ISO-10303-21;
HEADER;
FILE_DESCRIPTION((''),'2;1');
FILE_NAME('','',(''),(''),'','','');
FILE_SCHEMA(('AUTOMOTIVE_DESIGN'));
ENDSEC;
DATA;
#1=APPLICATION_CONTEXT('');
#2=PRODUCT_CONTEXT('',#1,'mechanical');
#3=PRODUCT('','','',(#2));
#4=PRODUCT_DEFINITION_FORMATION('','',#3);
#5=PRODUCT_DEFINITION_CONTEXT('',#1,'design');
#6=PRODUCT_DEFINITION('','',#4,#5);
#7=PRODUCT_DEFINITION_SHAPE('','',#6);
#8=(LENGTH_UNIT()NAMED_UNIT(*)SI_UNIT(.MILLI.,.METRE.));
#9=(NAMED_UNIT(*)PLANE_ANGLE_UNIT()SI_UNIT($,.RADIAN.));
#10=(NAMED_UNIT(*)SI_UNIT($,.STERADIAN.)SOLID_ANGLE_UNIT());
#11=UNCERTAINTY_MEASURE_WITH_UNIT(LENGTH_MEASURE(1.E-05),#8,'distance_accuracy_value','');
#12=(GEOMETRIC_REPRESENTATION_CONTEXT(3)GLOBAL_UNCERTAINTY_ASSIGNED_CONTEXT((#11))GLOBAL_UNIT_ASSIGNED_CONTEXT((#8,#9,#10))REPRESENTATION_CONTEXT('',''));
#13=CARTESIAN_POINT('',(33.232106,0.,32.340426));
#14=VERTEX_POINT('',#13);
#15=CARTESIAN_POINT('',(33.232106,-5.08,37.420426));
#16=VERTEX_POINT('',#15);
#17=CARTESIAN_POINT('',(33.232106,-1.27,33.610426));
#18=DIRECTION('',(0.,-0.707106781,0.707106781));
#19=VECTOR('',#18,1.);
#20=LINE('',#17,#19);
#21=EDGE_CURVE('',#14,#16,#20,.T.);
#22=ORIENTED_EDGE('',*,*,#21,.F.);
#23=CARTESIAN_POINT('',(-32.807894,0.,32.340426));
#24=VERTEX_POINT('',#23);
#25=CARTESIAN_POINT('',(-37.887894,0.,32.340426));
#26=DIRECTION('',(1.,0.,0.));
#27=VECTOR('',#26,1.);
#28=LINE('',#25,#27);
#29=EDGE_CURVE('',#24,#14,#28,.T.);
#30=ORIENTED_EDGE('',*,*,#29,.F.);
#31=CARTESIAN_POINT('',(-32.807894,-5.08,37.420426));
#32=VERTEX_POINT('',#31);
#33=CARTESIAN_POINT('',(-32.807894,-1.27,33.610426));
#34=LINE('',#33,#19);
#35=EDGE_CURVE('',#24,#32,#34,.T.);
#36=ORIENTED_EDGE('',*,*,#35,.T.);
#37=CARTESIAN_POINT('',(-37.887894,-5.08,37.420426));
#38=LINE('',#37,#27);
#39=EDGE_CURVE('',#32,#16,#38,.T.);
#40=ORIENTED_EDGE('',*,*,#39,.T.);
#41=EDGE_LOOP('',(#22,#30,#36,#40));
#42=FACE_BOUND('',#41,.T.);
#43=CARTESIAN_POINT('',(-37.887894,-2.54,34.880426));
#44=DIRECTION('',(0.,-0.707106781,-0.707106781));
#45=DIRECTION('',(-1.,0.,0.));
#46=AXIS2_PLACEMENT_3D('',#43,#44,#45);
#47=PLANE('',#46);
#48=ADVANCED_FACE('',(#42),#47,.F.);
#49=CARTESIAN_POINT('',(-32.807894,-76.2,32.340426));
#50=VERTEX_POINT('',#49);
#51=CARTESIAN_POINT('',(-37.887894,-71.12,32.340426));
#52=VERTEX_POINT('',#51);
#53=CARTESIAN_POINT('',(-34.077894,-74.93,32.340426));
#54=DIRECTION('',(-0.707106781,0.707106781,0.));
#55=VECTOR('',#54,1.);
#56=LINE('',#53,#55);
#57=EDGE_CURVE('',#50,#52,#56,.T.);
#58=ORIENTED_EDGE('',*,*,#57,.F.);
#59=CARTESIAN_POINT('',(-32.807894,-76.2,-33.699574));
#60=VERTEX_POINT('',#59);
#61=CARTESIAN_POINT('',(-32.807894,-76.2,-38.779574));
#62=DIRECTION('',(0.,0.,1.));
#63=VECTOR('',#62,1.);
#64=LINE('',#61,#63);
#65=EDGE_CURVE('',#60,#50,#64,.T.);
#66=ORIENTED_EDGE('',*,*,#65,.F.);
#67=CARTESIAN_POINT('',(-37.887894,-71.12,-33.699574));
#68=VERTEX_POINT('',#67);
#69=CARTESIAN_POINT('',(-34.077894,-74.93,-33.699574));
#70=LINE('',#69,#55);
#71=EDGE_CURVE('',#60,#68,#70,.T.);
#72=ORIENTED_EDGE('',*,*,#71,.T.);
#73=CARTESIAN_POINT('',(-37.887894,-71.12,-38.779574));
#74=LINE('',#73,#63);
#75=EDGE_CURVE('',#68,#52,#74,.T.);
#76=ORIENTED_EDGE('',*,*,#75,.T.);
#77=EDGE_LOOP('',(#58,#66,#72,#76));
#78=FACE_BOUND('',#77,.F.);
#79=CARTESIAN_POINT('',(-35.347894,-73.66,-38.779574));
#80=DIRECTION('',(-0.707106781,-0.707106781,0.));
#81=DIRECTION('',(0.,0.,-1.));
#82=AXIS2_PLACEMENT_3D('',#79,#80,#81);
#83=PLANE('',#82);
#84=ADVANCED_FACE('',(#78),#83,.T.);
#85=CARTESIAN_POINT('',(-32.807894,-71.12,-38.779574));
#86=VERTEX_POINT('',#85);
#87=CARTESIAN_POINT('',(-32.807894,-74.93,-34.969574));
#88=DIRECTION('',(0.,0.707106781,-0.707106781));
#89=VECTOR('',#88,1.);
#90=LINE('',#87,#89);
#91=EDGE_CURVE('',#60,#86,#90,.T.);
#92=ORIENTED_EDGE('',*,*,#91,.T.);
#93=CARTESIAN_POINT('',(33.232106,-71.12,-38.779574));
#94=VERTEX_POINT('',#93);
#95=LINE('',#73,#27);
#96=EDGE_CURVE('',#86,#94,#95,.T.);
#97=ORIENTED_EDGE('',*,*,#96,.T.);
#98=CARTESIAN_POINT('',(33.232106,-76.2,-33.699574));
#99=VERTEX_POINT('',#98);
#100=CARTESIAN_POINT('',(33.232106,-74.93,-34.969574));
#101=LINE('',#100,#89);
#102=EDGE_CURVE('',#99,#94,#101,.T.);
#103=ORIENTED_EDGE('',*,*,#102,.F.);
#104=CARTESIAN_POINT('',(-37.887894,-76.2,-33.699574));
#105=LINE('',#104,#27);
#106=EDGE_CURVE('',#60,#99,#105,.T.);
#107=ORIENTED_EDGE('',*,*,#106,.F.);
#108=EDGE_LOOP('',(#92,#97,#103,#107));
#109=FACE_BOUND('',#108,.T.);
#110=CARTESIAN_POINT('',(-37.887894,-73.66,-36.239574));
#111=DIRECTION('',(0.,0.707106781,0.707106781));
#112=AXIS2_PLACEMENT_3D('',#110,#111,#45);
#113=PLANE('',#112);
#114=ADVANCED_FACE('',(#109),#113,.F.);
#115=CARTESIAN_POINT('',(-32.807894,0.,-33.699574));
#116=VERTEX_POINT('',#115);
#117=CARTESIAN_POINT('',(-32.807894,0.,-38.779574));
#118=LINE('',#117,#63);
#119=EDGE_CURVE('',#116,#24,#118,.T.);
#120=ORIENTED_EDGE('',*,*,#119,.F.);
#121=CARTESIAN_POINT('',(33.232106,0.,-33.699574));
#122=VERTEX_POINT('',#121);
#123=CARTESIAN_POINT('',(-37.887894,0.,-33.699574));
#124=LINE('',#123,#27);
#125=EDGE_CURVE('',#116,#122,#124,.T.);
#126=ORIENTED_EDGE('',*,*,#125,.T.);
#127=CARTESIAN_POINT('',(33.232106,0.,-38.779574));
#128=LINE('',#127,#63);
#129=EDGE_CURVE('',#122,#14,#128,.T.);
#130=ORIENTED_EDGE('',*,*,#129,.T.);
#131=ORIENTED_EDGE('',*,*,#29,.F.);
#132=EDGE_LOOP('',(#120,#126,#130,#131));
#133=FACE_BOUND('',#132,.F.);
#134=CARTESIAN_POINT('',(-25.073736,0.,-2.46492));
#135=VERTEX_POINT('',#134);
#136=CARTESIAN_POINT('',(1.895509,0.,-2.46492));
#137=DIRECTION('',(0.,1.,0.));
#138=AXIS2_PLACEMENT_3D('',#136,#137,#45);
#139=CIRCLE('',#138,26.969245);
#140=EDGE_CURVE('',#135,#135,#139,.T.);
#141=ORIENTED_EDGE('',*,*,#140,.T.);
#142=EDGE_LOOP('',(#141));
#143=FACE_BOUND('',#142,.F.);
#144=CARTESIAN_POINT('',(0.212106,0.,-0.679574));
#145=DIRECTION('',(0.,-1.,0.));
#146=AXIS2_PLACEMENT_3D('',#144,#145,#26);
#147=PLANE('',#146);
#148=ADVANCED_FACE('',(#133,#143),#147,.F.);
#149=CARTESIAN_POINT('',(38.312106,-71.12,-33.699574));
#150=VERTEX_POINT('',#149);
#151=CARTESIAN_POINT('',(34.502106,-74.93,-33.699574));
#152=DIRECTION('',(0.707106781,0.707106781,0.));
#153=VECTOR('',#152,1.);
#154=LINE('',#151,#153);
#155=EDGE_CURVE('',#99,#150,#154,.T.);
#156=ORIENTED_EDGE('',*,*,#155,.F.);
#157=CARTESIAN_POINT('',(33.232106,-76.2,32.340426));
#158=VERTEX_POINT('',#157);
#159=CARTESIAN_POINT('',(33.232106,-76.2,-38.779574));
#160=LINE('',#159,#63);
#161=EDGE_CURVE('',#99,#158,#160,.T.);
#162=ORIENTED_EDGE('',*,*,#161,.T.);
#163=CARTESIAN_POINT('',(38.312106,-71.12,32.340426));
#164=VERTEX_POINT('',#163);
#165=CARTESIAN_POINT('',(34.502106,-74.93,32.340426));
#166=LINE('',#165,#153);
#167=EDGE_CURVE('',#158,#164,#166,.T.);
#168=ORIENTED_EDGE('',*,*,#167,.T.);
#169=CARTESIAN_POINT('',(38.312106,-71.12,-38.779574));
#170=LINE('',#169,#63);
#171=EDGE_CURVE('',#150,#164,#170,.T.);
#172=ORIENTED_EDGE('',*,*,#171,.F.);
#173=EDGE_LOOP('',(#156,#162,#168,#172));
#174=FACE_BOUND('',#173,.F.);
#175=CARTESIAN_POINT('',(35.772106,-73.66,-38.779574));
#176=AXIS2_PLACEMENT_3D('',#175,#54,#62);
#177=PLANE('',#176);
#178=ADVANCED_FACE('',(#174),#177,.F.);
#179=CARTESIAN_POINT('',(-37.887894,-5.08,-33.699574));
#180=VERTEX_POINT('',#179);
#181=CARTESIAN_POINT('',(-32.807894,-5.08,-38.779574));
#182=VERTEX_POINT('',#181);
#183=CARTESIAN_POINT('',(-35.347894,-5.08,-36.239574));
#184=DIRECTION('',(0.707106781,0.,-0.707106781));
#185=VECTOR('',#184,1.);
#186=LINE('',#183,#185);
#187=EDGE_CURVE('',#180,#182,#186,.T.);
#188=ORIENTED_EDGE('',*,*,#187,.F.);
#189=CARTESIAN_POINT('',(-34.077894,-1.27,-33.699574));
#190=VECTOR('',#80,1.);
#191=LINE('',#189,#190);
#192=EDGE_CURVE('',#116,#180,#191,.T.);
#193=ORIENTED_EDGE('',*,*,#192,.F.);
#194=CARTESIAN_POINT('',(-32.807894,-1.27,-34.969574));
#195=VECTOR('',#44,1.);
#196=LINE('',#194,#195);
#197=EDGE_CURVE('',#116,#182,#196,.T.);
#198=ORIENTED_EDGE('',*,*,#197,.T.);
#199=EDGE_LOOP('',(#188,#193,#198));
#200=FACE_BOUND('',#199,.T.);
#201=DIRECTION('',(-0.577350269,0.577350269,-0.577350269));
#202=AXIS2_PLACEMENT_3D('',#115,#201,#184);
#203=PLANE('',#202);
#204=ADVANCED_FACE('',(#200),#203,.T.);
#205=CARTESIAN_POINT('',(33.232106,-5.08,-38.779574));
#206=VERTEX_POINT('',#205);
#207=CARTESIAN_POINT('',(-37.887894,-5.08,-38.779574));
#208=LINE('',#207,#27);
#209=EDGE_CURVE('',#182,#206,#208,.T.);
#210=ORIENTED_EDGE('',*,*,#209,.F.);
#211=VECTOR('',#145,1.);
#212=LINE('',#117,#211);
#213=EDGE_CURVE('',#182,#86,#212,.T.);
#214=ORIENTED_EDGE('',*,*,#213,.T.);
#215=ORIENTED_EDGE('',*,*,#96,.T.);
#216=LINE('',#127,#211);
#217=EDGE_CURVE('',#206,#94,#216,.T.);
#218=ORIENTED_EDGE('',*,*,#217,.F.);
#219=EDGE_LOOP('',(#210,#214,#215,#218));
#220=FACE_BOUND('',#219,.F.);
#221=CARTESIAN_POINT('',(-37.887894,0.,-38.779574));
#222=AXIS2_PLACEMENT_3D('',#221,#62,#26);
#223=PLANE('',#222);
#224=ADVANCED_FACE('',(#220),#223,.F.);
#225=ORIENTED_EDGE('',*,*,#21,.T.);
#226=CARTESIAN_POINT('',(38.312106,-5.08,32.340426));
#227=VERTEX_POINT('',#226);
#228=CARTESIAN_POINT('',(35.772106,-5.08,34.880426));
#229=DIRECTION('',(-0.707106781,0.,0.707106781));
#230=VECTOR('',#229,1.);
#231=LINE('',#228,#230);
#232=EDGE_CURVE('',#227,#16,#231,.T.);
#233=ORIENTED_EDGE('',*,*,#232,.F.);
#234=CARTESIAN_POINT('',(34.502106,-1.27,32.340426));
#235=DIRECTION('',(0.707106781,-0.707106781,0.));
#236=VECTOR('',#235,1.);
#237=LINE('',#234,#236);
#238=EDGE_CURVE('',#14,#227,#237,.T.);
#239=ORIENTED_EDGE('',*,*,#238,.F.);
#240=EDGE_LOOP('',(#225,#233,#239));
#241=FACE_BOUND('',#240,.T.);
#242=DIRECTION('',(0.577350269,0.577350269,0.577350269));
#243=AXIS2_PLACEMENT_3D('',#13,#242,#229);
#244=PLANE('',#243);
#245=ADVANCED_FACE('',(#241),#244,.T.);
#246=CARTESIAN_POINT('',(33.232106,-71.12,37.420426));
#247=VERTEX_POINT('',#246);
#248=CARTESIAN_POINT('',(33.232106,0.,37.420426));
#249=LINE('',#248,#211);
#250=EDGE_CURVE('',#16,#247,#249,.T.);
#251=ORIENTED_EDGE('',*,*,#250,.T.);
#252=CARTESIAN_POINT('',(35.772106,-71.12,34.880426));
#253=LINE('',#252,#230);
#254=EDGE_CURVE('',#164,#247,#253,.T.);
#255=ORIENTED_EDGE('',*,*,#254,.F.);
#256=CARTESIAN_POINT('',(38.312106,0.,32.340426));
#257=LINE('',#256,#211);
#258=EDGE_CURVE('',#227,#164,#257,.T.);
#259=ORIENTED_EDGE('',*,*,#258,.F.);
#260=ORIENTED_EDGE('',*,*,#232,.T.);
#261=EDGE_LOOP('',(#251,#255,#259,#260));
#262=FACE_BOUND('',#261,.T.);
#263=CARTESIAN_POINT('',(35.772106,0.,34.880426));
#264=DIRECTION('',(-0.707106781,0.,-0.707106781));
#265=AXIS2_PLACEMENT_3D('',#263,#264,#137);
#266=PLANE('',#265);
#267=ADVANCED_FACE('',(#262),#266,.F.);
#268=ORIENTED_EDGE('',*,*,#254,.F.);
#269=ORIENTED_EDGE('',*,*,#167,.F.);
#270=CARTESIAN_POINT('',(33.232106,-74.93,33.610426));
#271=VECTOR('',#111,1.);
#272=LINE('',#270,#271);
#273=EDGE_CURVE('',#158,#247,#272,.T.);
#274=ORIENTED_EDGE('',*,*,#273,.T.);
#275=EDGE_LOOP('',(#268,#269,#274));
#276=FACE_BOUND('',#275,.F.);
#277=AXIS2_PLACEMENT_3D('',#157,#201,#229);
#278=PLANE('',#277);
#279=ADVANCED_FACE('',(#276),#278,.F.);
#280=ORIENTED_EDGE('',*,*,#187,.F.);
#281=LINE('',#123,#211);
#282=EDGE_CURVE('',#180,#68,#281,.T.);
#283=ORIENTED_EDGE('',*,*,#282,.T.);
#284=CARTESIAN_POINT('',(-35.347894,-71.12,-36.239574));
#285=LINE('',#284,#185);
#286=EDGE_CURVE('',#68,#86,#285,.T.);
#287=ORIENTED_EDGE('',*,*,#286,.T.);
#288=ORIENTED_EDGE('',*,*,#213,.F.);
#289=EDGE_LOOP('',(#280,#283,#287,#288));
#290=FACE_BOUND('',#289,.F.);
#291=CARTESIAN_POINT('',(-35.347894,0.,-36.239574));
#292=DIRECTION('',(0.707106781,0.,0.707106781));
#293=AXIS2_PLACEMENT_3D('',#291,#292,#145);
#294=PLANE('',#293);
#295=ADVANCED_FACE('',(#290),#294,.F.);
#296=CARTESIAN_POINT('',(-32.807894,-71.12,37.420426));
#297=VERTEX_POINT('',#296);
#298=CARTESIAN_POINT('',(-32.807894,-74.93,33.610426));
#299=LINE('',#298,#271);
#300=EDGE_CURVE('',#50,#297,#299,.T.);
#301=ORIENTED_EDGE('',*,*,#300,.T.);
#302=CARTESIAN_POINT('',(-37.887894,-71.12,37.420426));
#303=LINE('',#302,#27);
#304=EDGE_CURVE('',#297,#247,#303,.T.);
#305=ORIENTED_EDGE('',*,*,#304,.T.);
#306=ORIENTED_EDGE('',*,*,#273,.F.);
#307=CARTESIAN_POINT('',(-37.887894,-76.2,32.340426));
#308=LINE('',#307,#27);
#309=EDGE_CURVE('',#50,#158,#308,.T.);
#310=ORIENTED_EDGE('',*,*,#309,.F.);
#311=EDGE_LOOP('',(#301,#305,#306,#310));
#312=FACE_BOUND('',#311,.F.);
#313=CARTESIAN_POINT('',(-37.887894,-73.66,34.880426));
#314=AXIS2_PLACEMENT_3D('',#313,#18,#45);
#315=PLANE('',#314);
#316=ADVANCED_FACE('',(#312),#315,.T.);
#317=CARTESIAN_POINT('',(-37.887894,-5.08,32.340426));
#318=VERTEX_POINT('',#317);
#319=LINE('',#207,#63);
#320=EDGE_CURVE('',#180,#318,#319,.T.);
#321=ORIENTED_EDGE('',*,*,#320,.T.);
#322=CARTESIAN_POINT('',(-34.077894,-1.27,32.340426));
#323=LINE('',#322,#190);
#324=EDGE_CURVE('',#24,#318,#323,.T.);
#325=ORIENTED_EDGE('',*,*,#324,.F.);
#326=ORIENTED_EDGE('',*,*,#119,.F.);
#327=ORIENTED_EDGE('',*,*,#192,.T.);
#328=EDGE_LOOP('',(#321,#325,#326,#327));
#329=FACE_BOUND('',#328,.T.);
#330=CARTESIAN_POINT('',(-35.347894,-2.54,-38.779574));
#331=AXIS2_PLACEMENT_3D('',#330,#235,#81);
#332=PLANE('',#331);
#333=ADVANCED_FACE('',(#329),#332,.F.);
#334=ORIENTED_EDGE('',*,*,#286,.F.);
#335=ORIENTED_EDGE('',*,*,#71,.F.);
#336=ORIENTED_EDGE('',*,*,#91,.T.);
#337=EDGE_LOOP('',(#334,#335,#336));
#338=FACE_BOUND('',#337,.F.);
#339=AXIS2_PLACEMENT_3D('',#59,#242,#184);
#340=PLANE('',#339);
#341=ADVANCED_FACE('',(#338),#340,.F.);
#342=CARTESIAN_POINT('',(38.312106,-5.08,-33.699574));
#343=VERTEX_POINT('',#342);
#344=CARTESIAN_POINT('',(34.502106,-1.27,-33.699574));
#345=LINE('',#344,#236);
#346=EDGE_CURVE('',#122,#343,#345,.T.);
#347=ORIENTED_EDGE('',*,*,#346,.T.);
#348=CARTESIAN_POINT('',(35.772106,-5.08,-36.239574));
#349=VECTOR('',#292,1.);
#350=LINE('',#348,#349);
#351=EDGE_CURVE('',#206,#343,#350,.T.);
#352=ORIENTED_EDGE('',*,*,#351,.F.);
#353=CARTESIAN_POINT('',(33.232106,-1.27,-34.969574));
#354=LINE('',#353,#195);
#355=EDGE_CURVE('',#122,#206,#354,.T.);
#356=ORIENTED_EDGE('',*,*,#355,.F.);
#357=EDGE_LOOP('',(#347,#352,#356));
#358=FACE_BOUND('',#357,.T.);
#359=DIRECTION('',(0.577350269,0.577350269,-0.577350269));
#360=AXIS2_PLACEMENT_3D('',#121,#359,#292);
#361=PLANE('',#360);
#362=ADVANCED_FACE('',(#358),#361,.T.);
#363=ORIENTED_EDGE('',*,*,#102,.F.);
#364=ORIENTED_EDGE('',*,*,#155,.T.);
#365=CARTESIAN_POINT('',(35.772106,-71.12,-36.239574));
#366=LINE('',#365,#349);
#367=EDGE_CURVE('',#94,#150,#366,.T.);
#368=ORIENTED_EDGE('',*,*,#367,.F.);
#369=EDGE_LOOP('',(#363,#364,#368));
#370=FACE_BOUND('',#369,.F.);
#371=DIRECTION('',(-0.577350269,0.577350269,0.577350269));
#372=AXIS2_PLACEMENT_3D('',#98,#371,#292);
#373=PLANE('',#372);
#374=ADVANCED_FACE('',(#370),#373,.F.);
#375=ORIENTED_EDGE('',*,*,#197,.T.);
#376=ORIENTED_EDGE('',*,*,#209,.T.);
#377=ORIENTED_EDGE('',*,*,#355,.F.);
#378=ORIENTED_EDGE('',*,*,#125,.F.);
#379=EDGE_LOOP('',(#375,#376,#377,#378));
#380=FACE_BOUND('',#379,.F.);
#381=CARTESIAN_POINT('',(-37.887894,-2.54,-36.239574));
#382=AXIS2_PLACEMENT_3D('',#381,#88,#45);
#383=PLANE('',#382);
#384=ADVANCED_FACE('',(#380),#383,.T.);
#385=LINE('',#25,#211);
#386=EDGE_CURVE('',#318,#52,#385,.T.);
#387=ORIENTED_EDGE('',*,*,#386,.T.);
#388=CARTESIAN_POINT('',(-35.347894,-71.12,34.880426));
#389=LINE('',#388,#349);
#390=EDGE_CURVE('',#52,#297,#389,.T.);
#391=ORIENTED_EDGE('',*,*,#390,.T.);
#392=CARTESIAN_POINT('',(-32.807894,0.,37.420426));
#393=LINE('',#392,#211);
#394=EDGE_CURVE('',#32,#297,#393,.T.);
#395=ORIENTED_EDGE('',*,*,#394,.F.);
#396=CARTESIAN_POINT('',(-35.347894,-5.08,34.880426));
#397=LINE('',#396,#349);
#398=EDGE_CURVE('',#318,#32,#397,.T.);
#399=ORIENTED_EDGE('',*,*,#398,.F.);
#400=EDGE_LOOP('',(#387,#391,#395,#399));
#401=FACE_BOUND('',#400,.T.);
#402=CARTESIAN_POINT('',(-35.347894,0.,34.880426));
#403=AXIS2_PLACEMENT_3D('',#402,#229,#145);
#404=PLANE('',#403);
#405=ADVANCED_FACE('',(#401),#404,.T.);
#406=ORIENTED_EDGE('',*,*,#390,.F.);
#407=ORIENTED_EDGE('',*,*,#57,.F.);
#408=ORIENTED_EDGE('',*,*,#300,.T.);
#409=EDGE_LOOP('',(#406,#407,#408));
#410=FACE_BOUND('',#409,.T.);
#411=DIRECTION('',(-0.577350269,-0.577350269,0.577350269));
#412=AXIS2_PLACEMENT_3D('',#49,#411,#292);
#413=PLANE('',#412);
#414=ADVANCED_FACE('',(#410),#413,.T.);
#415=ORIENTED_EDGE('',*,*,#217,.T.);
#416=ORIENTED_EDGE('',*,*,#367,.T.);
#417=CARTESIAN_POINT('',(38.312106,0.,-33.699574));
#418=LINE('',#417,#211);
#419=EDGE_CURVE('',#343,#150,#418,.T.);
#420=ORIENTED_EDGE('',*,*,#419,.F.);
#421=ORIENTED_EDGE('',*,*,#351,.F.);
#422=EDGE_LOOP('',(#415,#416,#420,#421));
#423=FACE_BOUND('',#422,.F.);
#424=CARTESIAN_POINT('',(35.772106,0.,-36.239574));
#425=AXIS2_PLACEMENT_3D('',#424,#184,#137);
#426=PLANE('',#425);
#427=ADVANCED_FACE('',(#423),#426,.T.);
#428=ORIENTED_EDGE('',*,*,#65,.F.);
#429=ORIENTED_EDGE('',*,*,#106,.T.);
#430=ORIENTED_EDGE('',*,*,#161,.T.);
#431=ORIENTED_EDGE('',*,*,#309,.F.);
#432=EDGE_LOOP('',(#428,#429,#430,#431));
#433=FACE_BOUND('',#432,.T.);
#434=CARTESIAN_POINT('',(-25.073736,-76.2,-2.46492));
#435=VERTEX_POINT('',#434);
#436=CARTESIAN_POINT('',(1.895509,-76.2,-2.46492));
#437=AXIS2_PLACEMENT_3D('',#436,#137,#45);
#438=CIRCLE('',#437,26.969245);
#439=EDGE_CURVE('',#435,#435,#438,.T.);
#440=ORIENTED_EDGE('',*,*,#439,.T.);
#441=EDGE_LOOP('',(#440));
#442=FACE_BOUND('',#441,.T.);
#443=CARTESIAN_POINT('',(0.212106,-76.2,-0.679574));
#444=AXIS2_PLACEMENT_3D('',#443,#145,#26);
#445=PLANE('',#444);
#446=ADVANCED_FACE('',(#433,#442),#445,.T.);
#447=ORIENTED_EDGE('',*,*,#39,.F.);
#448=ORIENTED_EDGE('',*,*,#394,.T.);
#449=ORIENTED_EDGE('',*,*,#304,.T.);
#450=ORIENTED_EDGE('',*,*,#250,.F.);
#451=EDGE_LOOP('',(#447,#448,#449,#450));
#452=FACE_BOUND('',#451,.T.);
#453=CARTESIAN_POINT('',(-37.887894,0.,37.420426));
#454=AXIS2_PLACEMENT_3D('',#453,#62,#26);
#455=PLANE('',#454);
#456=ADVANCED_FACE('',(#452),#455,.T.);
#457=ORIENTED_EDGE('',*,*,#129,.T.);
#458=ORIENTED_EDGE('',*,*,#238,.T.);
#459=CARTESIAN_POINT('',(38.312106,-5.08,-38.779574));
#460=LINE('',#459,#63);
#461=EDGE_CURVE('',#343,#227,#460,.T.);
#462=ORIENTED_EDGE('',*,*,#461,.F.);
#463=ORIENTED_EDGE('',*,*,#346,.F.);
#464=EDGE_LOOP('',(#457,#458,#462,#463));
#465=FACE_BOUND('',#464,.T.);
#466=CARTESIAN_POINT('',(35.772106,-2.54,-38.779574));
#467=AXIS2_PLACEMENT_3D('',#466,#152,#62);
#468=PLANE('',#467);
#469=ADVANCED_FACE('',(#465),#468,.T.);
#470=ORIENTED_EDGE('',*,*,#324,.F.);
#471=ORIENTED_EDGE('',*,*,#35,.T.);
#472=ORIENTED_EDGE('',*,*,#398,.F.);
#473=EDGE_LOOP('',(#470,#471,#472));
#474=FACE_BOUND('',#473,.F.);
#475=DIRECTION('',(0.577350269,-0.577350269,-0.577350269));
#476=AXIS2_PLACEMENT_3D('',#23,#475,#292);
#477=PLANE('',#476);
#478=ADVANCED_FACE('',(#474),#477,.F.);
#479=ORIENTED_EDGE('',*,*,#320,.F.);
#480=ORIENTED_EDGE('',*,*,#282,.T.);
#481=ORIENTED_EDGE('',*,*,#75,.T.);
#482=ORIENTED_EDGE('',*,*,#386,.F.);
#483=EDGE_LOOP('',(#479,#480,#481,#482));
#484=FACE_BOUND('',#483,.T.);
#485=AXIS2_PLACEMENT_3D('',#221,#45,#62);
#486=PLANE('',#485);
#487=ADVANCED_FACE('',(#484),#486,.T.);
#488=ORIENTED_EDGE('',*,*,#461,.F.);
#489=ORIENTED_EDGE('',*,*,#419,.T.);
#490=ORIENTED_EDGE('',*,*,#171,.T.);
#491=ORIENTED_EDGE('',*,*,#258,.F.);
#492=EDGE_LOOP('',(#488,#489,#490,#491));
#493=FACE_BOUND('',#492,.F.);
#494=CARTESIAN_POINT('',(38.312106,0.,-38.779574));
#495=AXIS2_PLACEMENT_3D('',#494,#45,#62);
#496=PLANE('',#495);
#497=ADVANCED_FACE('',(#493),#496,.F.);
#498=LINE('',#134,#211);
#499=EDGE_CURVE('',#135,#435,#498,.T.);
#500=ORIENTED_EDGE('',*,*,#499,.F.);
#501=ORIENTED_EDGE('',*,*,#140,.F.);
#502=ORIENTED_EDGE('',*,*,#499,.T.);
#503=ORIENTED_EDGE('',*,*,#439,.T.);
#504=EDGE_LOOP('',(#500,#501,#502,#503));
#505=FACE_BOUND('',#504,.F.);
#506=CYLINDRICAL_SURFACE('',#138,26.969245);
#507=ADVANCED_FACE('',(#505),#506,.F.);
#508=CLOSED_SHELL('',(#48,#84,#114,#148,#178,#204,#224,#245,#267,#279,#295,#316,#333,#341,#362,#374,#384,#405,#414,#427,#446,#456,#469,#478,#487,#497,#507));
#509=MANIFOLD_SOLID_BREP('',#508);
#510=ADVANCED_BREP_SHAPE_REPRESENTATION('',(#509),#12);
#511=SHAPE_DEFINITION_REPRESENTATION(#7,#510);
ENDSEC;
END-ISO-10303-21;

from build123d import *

# Parameters (mm, degrees)
F0_W     = 76.2
F0_H     = 76.2
F1_DEPTH = 76.2
F2_R     = 26.969245
F3_DEPTH = 76.201
F4_SIZE  = 5.08


with BuildPart() as f1:
    # F0 (on Front) → F1 (new body)
    with BuildSketch(Plane.XZ):
        with Locations((0.212106, -0.679574)):
            Rectangle(F0_W, F0_H)
    extrude(amount=F1_DEPTH)

    # F2 (on face) → F3 (cut, through all)
    with BuildSketch(Plane(origin=(0, 0, 0), x_dir=(-1, 0, 0), z_dir=(0, 1, 0))):
        with Locations((-1.895509, -2.46492)):
            Circle(F2_R)
    extrude(amount=-F3_DEPTH, mode=Mode.SUBTRACT)

    # F4
    f4_edges = [f1.edges().sort_by_distance(p)[0] for p in [
        (-37.887894, -38.1, 37.420426),
        (-37.887894, -38.1, -38.779574),
        (-37.887894, 0, -0.679574),
        (-37.887894, -76.2, -0.679574),
        (38.312106, -38.1, -38.779574),
        (0.212106, 0, -38.779574),
        (0.212106, -76.2, -38.779574),
        (38.312106, -38.1, 37.420426),
        (38.312106, 0, -0.679574),
        (38.312106, -76.2, -0.679574),
        (0.212106, 0, 37.420426),
        (0.212106, -76.2, 37.420426),
    ]]
    chamfer(f4_edges, length=F4_SIZE)


solid = f1.part
